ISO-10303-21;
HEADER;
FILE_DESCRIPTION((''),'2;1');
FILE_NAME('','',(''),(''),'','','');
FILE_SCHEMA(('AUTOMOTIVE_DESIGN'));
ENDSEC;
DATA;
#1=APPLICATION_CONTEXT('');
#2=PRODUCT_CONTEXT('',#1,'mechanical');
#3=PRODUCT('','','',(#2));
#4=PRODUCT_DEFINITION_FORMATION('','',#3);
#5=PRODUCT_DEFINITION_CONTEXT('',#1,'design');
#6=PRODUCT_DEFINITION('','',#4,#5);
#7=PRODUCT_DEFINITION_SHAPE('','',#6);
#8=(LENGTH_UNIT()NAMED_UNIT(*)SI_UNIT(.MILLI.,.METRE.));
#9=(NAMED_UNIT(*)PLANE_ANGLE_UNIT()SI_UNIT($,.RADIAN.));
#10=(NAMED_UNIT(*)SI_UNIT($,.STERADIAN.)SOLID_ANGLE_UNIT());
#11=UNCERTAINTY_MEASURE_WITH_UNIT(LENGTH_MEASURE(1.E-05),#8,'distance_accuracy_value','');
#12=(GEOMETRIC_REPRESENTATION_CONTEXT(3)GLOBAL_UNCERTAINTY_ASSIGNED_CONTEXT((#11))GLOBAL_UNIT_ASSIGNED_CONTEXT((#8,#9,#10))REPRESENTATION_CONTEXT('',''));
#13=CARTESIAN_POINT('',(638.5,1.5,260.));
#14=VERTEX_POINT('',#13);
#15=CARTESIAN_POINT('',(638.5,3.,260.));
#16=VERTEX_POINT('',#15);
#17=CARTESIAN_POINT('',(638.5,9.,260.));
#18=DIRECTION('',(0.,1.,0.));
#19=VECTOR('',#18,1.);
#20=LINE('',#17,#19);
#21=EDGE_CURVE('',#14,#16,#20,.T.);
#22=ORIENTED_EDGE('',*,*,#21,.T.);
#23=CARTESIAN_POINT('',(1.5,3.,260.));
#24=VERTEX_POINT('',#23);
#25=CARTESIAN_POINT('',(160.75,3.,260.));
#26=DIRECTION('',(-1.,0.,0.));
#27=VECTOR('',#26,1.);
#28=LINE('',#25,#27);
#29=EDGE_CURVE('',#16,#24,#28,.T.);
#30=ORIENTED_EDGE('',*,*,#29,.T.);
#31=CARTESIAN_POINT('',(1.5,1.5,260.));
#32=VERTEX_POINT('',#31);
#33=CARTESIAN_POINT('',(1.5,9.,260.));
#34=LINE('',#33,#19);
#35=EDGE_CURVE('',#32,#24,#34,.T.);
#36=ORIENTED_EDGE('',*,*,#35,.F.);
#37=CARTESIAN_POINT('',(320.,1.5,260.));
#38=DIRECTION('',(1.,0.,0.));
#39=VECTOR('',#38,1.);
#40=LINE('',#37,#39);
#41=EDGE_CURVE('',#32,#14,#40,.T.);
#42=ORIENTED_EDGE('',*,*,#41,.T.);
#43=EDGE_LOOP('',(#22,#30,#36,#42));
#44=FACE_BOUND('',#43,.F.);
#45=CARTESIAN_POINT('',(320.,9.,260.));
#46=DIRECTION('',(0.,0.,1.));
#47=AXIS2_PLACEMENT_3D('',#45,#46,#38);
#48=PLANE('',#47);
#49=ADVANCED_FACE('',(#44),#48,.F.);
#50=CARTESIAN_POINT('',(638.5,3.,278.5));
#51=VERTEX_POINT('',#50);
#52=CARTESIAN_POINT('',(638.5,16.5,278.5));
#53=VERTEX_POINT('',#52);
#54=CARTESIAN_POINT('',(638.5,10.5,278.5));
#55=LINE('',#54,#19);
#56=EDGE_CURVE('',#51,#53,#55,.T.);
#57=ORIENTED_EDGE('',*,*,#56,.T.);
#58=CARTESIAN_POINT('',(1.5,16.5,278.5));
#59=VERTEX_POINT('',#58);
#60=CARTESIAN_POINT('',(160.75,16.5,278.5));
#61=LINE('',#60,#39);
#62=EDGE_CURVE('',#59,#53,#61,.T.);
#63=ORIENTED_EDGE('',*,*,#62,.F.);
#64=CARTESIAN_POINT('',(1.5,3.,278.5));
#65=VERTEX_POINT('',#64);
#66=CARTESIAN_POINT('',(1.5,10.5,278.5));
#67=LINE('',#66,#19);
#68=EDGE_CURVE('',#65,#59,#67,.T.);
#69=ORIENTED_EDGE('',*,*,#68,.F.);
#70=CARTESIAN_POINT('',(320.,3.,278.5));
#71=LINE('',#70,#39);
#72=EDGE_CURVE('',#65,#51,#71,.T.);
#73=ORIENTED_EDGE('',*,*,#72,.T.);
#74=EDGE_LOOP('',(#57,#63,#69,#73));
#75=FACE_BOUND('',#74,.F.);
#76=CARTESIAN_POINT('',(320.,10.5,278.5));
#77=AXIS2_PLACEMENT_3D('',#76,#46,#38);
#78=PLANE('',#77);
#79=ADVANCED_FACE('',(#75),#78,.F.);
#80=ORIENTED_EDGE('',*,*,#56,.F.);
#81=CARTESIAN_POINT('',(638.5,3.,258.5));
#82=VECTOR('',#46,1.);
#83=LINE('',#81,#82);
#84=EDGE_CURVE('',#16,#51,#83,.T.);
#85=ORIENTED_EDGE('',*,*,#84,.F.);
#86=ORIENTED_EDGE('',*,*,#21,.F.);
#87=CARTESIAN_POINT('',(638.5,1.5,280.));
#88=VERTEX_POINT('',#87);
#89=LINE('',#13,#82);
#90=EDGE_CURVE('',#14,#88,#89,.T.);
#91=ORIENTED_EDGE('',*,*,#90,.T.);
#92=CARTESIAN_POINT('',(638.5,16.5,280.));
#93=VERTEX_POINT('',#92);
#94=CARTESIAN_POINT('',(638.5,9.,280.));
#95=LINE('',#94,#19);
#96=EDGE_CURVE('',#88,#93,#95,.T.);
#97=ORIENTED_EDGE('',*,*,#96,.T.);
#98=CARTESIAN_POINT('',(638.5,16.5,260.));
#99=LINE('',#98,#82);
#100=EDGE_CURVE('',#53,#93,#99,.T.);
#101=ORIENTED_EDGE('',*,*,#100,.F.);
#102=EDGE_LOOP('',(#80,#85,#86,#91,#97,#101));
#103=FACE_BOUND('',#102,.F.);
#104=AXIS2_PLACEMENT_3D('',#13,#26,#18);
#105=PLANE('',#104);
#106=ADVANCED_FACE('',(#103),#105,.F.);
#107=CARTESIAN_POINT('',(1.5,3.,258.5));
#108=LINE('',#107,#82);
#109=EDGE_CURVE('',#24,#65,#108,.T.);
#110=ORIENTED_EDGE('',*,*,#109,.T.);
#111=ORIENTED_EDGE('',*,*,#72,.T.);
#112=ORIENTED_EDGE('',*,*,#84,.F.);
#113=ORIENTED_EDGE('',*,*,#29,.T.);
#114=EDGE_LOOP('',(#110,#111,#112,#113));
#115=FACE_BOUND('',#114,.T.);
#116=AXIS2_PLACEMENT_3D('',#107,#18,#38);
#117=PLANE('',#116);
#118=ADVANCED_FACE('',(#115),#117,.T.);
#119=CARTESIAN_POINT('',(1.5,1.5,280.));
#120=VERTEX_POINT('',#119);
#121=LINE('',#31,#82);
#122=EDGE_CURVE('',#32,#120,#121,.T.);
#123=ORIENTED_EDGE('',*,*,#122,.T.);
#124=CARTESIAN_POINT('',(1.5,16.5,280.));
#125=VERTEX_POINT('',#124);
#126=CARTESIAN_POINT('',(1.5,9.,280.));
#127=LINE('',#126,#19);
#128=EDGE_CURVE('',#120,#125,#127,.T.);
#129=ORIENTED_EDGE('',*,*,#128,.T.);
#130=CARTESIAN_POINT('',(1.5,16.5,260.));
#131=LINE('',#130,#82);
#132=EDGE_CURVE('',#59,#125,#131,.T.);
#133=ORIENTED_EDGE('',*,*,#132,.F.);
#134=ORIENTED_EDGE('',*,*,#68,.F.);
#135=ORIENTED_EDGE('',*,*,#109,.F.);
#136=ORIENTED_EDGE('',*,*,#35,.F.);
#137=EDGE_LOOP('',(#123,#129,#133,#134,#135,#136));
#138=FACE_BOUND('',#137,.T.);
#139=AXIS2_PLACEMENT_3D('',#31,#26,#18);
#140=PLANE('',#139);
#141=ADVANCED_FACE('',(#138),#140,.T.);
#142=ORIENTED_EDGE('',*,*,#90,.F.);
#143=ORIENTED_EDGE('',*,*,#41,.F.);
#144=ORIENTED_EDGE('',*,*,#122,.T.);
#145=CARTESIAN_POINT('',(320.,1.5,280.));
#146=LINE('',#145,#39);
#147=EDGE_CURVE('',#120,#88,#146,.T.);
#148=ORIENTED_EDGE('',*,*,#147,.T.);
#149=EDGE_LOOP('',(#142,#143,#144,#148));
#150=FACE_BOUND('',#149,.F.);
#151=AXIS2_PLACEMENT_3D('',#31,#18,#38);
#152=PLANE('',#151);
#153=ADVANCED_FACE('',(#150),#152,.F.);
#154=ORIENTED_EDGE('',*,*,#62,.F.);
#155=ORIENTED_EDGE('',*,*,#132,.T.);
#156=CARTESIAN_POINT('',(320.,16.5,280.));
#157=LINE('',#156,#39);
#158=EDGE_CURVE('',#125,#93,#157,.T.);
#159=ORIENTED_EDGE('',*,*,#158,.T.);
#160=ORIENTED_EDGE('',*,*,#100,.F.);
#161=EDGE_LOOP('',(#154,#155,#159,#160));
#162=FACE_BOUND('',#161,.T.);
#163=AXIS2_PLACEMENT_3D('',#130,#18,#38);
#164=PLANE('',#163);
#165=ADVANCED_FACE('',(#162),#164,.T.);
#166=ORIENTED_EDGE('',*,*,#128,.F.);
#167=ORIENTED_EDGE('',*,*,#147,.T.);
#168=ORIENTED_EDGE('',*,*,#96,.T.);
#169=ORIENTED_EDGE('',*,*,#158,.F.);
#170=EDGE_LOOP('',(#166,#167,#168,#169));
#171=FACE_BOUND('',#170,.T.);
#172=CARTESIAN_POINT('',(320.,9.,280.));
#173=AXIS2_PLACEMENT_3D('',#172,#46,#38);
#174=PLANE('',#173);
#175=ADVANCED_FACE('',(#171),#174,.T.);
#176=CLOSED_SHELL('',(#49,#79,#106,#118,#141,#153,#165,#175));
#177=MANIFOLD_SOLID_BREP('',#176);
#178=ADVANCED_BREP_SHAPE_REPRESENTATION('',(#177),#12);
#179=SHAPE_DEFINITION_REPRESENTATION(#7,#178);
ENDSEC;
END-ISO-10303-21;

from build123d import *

# Parameters (mm, degrees)
BOX013_W      = 637
BOX013_H      = 15
BOX013_DEPTH  = 20
BOX012_W      = 637
BOX012_H      = 15
BOX012_DEPTH  = 20
SKETCH012_R   = 2.05
HOLE007_DEPTH = 1291.481784


with BuildPart() as cube008:
    # Box013 → Box013 (new body)
    with BuildSketch(Plane(origin=(1.5, 1.5, -1.5), x_dir=(1, 0, 0), z_dir=(0, 0, 1))):
        with Locations((318.5, 7.5)):
            Rectangle(BOX013_W, BOX013_H)
    extrude(amount=BOX013_DEPTH)


with BuildPart() as top_front_body:
    # Box012 → Box012 (new body)
    with BuildSketch(Plane(origin=(1.5, 0, 0), x_dir=(1, 0, 0), z_dir=(0, 0, 1))):
        with Locations((318.5, 7.5)):
            Rectangle(BOX012_W, BOX012_H)
    extrude(amount=BOX012_DEPTH)

    # Cut: cut Cube008
    add(cube008.part, mode=Mode.SUBTRACT)


with BuildPart() as top_front_body_1:
    # Cut placement: moved
    add(top_front_body.part.moved(Location((0, 1.5, 250))))


with BuildPart() as top_front_body_2:
    # BaseFeature005 placement: moved
    add(top_front_body_1.part.moved(Location((0, -1.5, -250))))

    # Sketch012 → Hole007 (cut, through all)
    with BuildSketch(Plane.XZ.offset(1.5)):
        with Locations((-7.75, 9.25)):
            Circle(SKETCH012_R)
    hole007 = extrude(amount=-HOLE007_DEPTH, mode=Mode.SUBTRACT)

    # Mirrored004: Hole007 across Sketch012 Axis0
    add(hole007.mirror(Plane(origin=(320, -1.5, 19.25), x_dir=(0, -1, 0), z_dir=(1, 0, 0))), mode=Mode.SUBTRACT)


with BuildPart() as top_front_body_3:
    # Body005 placement: moved
    add(top_front_body_2.part.moved(Location((0, 1.5, 260))))


solid = top_front_body_3.part
